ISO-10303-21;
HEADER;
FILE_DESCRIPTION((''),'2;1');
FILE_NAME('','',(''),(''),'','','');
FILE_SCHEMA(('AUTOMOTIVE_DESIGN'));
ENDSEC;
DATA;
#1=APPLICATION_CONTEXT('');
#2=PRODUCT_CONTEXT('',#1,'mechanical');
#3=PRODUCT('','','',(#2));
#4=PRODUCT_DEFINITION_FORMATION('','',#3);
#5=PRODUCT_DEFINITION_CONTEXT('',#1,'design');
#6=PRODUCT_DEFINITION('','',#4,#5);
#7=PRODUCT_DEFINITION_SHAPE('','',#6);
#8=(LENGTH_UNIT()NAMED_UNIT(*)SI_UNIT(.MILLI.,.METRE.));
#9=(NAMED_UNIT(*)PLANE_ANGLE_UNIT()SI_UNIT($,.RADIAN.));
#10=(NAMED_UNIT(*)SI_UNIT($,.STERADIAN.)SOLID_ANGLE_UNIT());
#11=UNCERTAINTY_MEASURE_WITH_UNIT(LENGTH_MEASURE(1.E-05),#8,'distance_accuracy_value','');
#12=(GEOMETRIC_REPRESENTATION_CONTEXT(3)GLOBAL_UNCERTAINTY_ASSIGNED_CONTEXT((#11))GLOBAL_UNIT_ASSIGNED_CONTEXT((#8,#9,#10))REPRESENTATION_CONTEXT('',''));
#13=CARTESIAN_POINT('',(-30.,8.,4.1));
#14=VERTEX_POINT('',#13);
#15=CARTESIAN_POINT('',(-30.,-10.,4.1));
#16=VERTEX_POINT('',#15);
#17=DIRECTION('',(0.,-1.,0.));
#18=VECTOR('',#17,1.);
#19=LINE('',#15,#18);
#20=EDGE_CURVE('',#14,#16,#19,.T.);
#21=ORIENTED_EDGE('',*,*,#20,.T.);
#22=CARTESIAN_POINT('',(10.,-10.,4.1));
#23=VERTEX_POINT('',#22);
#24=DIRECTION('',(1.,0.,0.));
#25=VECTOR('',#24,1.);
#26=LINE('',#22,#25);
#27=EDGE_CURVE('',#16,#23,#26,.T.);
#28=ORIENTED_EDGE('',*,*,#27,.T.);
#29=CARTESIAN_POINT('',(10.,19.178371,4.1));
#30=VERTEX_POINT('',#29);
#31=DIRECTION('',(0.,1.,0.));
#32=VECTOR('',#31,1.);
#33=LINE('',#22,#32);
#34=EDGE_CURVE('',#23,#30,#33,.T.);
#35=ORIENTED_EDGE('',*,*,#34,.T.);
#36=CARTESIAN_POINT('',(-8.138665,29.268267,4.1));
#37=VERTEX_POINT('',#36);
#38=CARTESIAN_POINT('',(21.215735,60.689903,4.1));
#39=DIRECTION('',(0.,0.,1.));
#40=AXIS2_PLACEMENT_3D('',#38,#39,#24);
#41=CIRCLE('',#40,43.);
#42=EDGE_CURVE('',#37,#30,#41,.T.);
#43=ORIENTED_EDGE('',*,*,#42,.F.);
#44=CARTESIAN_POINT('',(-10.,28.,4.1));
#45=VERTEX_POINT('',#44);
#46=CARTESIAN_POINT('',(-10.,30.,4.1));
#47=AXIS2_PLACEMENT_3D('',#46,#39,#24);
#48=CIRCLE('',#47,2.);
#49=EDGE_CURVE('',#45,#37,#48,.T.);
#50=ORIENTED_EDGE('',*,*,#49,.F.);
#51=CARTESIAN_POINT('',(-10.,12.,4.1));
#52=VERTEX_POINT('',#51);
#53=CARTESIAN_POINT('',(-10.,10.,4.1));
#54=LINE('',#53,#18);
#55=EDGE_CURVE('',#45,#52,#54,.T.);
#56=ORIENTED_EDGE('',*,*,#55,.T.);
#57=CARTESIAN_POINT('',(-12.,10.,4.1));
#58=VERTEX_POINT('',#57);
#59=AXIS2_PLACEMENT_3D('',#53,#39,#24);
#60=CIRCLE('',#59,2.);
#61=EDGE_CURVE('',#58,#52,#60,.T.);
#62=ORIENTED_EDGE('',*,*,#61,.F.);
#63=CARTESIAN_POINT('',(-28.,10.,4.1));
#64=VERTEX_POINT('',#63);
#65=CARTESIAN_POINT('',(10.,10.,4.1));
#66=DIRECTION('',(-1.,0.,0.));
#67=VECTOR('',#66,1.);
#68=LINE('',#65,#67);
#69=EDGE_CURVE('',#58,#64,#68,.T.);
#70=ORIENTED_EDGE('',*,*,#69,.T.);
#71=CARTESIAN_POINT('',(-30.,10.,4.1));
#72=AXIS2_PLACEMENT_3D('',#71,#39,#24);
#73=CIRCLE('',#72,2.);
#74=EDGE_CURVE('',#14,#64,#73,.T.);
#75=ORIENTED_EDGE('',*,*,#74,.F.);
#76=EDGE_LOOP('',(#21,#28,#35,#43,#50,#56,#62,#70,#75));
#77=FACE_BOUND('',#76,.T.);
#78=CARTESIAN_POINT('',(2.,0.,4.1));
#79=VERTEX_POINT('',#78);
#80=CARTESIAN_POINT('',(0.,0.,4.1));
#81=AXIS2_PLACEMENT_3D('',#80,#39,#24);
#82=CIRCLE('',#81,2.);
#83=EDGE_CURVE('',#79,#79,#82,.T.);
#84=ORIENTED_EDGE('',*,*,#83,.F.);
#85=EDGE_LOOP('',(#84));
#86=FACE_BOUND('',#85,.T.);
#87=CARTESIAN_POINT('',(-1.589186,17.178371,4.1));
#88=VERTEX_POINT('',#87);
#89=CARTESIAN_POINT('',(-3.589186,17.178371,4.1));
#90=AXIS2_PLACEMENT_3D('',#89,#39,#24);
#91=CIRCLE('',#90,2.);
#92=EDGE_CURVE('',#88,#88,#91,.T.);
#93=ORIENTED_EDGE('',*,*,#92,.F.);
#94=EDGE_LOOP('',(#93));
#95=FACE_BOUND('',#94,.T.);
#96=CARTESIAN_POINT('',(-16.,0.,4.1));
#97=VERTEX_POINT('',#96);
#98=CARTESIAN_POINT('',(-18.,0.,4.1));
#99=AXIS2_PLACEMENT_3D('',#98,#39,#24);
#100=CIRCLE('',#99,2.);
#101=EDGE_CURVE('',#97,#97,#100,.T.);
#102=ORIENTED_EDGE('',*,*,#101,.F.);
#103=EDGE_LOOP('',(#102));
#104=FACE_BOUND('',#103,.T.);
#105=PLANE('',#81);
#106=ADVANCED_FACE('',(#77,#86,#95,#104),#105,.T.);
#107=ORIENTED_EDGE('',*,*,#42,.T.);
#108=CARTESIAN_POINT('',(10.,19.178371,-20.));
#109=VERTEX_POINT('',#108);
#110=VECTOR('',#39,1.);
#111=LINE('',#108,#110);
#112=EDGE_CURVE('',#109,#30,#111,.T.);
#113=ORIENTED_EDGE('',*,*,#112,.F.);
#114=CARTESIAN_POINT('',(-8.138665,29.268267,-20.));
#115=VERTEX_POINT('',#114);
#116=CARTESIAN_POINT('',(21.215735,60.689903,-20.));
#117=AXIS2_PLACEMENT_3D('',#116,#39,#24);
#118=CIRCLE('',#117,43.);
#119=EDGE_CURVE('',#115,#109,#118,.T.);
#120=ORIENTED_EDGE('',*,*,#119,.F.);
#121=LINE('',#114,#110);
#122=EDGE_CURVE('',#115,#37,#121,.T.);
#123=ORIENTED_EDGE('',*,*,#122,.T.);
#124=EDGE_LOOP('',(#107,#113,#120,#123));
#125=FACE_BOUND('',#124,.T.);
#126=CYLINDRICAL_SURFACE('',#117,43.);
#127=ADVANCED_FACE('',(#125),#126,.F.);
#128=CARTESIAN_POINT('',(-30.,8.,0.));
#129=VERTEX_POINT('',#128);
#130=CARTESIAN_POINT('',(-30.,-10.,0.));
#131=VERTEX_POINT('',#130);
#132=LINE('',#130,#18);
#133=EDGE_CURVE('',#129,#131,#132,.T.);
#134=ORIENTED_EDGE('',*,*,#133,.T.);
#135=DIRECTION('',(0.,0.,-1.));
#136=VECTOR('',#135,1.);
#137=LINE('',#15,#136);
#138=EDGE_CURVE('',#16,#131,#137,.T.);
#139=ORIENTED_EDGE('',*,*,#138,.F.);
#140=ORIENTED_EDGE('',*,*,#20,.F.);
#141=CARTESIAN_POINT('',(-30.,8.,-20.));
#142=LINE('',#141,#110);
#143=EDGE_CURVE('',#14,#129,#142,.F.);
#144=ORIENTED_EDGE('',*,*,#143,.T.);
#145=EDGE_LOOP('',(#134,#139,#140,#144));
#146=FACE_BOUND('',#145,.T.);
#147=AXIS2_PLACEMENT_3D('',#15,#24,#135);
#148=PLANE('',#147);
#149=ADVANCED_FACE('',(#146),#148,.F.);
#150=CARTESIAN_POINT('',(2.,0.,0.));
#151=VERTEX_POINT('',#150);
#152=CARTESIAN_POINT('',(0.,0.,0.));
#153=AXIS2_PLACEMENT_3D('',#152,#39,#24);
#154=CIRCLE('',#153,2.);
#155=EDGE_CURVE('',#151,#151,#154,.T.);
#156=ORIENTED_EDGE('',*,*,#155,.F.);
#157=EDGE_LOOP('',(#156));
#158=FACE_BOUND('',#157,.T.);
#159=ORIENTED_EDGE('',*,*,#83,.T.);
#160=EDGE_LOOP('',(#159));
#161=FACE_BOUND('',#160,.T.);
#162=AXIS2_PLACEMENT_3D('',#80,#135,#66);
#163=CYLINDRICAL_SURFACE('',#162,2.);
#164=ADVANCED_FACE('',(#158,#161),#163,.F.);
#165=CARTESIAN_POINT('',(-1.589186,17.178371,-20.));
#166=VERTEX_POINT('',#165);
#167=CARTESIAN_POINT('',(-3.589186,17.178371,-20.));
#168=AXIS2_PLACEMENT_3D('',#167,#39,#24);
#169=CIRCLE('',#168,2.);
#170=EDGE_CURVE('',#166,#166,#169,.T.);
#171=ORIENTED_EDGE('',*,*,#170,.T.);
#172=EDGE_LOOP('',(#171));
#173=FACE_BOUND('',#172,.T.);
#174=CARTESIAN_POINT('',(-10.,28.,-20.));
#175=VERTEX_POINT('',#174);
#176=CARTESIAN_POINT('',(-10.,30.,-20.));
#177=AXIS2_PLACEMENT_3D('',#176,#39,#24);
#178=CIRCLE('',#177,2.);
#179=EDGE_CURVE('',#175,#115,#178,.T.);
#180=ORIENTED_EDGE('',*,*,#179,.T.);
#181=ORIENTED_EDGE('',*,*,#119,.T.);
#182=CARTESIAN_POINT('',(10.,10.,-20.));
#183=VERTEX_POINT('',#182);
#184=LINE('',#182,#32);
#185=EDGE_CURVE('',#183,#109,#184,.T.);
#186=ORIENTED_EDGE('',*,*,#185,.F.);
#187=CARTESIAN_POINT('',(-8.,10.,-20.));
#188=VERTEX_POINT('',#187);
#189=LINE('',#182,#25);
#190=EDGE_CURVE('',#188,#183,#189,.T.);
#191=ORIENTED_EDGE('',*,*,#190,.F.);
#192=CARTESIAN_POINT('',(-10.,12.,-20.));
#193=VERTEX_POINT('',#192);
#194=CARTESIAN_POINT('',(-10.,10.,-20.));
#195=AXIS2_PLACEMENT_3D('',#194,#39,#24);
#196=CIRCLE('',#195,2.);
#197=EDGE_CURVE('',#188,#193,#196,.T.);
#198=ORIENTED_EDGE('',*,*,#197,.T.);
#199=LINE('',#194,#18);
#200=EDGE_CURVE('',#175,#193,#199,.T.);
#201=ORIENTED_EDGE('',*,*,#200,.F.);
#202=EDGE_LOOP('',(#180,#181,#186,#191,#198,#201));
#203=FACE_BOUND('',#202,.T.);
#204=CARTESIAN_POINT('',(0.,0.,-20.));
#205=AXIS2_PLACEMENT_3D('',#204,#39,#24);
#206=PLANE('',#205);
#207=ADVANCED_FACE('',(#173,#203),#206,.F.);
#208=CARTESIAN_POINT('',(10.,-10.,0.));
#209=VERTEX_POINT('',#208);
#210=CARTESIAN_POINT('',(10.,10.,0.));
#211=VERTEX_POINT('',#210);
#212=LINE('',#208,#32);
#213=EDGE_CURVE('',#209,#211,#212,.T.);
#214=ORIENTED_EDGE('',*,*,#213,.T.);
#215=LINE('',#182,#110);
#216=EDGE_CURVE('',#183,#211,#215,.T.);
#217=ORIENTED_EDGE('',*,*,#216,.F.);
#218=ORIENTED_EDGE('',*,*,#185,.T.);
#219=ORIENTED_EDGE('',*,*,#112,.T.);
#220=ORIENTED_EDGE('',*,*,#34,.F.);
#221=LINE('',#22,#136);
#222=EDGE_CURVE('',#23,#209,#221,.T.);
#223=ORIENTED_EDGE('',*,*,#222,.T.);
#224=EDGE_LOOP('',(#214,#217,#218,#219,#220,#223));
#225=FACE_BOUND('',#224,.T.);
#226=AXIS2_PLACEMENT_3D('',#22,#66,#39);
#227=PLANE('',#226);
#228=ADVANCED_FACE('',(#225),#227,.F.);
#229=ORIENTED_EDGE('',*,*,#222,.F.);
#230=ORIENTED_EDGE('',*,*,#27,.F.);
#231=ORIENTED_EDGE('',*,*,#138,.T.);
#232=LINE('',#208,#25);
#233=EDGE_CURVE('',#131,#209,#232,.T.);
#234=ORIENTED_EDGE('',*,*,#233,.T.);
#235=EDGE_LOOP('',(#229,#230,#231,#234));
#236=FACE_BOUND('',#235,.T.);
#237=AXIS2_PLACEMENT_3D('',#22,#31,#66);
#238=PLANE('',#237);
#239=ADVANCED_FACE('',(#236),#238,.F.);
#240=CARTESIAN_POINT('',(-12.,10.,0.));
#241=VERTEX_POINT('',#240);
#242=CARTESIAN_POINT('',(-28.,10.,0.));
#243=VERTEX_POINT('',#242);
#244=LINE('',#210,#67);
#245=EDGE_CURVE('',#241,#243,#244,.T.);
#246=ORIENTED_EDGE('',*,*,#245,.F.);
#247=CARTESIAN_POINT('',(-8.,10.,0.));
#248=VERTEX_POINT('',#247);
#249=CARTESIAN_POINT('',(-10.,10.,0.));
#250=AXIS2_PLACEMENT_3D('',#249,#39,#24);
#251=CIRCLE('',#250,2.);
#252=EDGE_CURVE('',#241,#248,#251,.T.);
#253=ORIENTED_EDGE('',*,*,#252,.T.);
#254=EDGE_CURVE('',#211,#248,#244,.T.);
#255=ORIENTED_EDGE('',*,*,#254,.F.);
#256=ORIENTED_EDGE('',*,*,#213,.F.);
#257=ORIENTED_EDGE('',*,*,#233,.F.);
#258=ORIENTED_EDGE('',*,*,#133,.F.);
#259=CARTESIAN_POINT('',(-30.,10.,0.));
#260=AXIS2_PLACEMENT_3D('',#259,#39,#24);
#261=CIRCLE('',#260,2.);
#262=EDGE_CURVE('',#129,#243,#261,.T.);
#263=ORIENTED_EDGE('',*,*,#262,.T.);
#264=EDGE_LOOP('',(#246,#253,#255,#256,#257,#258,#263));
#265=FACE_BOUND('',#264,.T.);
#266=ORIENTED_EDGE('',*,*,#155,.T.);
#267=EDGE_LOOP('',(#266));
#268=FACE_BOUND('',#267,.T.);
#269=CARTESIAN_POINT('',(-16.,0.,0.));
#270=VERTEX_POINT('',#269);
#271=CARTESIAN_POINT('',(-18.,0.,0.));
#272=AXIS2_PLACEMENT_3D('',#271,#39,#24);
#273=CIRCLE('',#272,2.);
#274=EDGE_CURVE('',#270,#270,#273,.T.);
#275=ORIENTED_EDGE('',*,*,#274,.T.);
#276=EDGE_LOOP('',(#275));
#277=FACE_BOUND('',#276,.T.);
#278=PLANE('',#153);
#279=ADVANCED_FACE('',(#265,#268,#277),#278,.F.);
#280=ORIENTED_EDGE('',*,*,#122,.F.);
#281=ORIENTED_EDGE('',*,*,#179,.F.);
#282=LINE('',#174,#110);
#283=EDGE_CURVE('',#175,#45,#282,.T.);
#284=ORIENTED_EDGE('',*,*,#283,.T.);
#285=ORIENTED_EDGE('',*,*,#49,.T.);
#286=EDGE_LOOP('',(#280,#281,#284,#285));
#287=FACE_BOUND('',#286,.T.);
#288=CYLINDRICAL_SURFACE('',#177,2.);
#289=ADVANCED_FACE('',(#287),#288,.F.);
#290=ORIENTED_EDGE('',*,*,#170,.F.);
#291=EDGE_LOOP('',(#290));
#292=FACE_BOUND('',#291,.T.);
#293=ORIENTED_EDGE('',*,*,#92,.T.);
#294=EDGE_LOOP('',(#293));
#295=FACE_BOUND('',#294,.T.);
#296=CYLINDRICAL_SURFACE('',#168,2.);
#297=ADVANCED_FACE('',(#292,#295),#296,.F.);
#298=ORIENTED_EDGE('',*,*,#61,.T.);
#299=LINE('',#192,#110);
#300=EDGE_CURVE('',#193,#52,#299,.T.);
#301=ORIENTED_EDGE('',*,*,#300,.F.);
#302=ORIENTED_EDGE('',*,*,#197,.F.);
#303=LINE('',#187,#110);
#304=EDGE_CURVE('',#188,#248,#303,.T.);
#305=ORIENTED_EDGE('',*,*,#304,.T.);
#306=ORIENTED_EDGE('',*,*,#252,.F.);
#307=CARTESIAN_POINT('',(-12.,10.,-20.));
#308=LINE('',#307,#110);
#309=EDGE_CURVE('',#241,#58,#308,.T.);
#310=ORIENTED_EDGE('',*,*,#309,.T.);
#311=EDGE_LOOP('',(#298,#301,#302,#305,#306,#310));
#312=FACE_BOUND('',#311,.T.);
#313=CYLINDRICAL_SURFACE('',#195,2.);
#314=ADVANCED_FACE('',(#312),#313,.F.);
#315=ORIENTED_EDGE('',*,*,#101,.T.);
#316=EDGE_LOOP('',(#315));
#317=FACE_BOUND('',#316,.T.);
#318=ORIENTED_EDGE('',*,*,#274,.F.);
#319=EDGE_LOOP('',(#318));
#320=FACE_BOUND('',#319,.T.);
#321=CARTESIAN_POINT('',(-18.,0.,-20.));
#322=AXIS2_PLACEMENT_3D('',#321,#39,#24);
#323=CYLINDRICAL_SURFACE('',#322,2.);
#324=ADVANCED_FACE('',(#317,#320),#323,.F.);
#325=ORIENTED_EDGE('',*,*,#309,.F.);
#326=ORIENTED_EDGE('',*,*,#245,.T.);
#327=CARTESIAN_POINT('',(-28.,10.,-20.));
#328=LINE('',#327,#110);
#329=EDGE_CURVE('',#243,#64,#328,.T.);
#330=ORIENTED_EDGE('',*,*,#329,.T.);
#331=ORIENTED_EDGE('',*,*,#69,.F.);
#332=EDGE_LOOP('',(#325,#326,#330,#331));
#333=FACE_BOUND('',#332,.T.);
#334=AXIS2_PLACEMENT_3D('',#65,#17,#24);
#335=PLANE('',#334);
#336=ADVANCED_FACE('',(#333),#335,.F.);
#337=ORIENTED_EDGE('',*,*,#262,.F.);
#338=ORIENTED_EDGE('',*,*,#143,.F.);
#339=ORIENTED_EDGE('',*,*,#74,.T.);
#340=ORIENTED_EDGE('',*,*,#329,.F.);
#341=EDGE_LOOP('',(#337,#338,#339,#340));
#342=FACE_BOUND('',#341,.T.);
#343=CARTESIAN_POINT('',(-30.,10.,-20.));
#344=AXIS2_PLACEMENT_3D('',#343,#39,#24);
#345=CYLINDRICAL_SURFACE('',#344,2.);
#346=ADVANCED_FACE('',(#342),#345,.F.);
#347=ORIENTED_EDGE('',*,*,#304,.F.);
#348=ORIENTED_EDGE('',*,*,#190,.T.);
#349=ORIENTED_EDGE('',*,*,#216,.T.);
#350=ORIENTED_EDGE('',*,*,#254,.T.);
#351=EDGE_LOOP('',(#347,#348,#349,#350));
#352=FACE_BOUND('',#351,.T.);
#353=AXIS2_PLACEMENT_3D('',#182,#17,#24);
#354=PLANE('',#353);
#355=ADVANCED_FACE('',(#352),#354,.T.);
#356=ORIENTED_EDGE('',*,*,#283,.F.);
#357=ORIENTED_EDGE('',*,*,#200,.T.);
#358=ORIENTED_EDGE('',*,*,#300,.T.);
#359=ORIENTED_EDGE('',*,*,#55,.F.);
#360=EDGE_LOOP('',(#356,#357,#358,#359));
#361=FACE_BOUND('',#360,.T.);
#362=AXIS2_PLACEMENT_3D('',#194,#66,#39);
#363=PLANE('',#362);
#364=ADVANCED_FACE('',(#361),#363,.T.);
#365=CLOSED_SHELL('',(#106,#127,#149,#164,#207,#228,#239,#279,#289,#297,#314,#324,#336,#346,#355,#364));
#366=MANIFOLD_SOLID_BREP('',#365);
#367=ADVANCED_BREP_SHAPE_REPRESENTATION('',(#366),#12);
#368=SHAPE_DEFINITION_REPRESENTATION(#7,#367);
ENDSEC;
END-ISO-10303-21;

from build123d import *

# Parameters (mm, degrees)
SKETCH_1_W          = 40
SKETCH_1_H          = 20
SKETCH_1_R          = 2
EXTRUDE_1_DEPTH     = 4.1
SKETCH_2_W          = 20
SKETCH_2_H          = 20
EXTRUDE_2_DEPTH     = 24.1
SKETCH_3_R          = 2
CUT_EXTRUDE_1_DEPTH = 49.793544655


with BuildPart() as part:
    # 草图1 → 凸台-拉伸1 (new body)
    with BuildSketch(Plane.XY):
        with Locations((-10, 0)):
            Rectangle(SKETCH_1_W, SKETCH_1_H)
        Circle(SKETCH_1_R, mode=Mode.SUBTRACT)
    extrude(amount=EXTRUDE_1_DEPTH)

    # 草图2 → 凸台-拉伸2 (add)
    with BuildSketch(Plane.XY.offset(4.1)):
        with Locations((0, 20)):
            Rectangle(SKETCH_2_W, SKETCH_2_H)
    extrude(amount=-EXTRUDE_2_DEPTH)

    # 草图3 → 切除-拉伸1 (cut, through all)
    with BuildSketch(Plane.XY.offset(4.1)):
        with Locations((-18, 0)):
            Circle(SKETCH_3_R)
        with Locations((-30, 10)):
            Circle(SKETCH_3_R)
        with Locations((-3.589185504, 17.178371007)):
            Circle(SKETCH_3_R)
        with BuildLine():
            Line((-11.952534179, 30.433140022), (-10, 28))
            ThreePointArc((-10, 28), (-8.873826297, 28.347204553), (-8.138665231, 29.26826721))
            ThreePointArc((-8.138665231, 29.26826721), (0.312733547, 23.112455845), (10, 19.178371007))
            Line((10, 19.178371007), (10, 30))
            Line((10, 30), (-8, 30))
            ThreePointArc((-8, 30), (-9.78213348, 31.988098131), (-11.952534179, 30.433140022))
        make_face()
        with BuildLine():
            Line((-12, 10), (-10, 12))
            ThreePointArc((-10, 12), (-8.585786438, 8.585786438), (-12, 10))
        make_face()
    extrude(amount=-CUT_EXTRUDE_1_DEPTH, mode=Mode.SUBTRACT)


solid = part.part
